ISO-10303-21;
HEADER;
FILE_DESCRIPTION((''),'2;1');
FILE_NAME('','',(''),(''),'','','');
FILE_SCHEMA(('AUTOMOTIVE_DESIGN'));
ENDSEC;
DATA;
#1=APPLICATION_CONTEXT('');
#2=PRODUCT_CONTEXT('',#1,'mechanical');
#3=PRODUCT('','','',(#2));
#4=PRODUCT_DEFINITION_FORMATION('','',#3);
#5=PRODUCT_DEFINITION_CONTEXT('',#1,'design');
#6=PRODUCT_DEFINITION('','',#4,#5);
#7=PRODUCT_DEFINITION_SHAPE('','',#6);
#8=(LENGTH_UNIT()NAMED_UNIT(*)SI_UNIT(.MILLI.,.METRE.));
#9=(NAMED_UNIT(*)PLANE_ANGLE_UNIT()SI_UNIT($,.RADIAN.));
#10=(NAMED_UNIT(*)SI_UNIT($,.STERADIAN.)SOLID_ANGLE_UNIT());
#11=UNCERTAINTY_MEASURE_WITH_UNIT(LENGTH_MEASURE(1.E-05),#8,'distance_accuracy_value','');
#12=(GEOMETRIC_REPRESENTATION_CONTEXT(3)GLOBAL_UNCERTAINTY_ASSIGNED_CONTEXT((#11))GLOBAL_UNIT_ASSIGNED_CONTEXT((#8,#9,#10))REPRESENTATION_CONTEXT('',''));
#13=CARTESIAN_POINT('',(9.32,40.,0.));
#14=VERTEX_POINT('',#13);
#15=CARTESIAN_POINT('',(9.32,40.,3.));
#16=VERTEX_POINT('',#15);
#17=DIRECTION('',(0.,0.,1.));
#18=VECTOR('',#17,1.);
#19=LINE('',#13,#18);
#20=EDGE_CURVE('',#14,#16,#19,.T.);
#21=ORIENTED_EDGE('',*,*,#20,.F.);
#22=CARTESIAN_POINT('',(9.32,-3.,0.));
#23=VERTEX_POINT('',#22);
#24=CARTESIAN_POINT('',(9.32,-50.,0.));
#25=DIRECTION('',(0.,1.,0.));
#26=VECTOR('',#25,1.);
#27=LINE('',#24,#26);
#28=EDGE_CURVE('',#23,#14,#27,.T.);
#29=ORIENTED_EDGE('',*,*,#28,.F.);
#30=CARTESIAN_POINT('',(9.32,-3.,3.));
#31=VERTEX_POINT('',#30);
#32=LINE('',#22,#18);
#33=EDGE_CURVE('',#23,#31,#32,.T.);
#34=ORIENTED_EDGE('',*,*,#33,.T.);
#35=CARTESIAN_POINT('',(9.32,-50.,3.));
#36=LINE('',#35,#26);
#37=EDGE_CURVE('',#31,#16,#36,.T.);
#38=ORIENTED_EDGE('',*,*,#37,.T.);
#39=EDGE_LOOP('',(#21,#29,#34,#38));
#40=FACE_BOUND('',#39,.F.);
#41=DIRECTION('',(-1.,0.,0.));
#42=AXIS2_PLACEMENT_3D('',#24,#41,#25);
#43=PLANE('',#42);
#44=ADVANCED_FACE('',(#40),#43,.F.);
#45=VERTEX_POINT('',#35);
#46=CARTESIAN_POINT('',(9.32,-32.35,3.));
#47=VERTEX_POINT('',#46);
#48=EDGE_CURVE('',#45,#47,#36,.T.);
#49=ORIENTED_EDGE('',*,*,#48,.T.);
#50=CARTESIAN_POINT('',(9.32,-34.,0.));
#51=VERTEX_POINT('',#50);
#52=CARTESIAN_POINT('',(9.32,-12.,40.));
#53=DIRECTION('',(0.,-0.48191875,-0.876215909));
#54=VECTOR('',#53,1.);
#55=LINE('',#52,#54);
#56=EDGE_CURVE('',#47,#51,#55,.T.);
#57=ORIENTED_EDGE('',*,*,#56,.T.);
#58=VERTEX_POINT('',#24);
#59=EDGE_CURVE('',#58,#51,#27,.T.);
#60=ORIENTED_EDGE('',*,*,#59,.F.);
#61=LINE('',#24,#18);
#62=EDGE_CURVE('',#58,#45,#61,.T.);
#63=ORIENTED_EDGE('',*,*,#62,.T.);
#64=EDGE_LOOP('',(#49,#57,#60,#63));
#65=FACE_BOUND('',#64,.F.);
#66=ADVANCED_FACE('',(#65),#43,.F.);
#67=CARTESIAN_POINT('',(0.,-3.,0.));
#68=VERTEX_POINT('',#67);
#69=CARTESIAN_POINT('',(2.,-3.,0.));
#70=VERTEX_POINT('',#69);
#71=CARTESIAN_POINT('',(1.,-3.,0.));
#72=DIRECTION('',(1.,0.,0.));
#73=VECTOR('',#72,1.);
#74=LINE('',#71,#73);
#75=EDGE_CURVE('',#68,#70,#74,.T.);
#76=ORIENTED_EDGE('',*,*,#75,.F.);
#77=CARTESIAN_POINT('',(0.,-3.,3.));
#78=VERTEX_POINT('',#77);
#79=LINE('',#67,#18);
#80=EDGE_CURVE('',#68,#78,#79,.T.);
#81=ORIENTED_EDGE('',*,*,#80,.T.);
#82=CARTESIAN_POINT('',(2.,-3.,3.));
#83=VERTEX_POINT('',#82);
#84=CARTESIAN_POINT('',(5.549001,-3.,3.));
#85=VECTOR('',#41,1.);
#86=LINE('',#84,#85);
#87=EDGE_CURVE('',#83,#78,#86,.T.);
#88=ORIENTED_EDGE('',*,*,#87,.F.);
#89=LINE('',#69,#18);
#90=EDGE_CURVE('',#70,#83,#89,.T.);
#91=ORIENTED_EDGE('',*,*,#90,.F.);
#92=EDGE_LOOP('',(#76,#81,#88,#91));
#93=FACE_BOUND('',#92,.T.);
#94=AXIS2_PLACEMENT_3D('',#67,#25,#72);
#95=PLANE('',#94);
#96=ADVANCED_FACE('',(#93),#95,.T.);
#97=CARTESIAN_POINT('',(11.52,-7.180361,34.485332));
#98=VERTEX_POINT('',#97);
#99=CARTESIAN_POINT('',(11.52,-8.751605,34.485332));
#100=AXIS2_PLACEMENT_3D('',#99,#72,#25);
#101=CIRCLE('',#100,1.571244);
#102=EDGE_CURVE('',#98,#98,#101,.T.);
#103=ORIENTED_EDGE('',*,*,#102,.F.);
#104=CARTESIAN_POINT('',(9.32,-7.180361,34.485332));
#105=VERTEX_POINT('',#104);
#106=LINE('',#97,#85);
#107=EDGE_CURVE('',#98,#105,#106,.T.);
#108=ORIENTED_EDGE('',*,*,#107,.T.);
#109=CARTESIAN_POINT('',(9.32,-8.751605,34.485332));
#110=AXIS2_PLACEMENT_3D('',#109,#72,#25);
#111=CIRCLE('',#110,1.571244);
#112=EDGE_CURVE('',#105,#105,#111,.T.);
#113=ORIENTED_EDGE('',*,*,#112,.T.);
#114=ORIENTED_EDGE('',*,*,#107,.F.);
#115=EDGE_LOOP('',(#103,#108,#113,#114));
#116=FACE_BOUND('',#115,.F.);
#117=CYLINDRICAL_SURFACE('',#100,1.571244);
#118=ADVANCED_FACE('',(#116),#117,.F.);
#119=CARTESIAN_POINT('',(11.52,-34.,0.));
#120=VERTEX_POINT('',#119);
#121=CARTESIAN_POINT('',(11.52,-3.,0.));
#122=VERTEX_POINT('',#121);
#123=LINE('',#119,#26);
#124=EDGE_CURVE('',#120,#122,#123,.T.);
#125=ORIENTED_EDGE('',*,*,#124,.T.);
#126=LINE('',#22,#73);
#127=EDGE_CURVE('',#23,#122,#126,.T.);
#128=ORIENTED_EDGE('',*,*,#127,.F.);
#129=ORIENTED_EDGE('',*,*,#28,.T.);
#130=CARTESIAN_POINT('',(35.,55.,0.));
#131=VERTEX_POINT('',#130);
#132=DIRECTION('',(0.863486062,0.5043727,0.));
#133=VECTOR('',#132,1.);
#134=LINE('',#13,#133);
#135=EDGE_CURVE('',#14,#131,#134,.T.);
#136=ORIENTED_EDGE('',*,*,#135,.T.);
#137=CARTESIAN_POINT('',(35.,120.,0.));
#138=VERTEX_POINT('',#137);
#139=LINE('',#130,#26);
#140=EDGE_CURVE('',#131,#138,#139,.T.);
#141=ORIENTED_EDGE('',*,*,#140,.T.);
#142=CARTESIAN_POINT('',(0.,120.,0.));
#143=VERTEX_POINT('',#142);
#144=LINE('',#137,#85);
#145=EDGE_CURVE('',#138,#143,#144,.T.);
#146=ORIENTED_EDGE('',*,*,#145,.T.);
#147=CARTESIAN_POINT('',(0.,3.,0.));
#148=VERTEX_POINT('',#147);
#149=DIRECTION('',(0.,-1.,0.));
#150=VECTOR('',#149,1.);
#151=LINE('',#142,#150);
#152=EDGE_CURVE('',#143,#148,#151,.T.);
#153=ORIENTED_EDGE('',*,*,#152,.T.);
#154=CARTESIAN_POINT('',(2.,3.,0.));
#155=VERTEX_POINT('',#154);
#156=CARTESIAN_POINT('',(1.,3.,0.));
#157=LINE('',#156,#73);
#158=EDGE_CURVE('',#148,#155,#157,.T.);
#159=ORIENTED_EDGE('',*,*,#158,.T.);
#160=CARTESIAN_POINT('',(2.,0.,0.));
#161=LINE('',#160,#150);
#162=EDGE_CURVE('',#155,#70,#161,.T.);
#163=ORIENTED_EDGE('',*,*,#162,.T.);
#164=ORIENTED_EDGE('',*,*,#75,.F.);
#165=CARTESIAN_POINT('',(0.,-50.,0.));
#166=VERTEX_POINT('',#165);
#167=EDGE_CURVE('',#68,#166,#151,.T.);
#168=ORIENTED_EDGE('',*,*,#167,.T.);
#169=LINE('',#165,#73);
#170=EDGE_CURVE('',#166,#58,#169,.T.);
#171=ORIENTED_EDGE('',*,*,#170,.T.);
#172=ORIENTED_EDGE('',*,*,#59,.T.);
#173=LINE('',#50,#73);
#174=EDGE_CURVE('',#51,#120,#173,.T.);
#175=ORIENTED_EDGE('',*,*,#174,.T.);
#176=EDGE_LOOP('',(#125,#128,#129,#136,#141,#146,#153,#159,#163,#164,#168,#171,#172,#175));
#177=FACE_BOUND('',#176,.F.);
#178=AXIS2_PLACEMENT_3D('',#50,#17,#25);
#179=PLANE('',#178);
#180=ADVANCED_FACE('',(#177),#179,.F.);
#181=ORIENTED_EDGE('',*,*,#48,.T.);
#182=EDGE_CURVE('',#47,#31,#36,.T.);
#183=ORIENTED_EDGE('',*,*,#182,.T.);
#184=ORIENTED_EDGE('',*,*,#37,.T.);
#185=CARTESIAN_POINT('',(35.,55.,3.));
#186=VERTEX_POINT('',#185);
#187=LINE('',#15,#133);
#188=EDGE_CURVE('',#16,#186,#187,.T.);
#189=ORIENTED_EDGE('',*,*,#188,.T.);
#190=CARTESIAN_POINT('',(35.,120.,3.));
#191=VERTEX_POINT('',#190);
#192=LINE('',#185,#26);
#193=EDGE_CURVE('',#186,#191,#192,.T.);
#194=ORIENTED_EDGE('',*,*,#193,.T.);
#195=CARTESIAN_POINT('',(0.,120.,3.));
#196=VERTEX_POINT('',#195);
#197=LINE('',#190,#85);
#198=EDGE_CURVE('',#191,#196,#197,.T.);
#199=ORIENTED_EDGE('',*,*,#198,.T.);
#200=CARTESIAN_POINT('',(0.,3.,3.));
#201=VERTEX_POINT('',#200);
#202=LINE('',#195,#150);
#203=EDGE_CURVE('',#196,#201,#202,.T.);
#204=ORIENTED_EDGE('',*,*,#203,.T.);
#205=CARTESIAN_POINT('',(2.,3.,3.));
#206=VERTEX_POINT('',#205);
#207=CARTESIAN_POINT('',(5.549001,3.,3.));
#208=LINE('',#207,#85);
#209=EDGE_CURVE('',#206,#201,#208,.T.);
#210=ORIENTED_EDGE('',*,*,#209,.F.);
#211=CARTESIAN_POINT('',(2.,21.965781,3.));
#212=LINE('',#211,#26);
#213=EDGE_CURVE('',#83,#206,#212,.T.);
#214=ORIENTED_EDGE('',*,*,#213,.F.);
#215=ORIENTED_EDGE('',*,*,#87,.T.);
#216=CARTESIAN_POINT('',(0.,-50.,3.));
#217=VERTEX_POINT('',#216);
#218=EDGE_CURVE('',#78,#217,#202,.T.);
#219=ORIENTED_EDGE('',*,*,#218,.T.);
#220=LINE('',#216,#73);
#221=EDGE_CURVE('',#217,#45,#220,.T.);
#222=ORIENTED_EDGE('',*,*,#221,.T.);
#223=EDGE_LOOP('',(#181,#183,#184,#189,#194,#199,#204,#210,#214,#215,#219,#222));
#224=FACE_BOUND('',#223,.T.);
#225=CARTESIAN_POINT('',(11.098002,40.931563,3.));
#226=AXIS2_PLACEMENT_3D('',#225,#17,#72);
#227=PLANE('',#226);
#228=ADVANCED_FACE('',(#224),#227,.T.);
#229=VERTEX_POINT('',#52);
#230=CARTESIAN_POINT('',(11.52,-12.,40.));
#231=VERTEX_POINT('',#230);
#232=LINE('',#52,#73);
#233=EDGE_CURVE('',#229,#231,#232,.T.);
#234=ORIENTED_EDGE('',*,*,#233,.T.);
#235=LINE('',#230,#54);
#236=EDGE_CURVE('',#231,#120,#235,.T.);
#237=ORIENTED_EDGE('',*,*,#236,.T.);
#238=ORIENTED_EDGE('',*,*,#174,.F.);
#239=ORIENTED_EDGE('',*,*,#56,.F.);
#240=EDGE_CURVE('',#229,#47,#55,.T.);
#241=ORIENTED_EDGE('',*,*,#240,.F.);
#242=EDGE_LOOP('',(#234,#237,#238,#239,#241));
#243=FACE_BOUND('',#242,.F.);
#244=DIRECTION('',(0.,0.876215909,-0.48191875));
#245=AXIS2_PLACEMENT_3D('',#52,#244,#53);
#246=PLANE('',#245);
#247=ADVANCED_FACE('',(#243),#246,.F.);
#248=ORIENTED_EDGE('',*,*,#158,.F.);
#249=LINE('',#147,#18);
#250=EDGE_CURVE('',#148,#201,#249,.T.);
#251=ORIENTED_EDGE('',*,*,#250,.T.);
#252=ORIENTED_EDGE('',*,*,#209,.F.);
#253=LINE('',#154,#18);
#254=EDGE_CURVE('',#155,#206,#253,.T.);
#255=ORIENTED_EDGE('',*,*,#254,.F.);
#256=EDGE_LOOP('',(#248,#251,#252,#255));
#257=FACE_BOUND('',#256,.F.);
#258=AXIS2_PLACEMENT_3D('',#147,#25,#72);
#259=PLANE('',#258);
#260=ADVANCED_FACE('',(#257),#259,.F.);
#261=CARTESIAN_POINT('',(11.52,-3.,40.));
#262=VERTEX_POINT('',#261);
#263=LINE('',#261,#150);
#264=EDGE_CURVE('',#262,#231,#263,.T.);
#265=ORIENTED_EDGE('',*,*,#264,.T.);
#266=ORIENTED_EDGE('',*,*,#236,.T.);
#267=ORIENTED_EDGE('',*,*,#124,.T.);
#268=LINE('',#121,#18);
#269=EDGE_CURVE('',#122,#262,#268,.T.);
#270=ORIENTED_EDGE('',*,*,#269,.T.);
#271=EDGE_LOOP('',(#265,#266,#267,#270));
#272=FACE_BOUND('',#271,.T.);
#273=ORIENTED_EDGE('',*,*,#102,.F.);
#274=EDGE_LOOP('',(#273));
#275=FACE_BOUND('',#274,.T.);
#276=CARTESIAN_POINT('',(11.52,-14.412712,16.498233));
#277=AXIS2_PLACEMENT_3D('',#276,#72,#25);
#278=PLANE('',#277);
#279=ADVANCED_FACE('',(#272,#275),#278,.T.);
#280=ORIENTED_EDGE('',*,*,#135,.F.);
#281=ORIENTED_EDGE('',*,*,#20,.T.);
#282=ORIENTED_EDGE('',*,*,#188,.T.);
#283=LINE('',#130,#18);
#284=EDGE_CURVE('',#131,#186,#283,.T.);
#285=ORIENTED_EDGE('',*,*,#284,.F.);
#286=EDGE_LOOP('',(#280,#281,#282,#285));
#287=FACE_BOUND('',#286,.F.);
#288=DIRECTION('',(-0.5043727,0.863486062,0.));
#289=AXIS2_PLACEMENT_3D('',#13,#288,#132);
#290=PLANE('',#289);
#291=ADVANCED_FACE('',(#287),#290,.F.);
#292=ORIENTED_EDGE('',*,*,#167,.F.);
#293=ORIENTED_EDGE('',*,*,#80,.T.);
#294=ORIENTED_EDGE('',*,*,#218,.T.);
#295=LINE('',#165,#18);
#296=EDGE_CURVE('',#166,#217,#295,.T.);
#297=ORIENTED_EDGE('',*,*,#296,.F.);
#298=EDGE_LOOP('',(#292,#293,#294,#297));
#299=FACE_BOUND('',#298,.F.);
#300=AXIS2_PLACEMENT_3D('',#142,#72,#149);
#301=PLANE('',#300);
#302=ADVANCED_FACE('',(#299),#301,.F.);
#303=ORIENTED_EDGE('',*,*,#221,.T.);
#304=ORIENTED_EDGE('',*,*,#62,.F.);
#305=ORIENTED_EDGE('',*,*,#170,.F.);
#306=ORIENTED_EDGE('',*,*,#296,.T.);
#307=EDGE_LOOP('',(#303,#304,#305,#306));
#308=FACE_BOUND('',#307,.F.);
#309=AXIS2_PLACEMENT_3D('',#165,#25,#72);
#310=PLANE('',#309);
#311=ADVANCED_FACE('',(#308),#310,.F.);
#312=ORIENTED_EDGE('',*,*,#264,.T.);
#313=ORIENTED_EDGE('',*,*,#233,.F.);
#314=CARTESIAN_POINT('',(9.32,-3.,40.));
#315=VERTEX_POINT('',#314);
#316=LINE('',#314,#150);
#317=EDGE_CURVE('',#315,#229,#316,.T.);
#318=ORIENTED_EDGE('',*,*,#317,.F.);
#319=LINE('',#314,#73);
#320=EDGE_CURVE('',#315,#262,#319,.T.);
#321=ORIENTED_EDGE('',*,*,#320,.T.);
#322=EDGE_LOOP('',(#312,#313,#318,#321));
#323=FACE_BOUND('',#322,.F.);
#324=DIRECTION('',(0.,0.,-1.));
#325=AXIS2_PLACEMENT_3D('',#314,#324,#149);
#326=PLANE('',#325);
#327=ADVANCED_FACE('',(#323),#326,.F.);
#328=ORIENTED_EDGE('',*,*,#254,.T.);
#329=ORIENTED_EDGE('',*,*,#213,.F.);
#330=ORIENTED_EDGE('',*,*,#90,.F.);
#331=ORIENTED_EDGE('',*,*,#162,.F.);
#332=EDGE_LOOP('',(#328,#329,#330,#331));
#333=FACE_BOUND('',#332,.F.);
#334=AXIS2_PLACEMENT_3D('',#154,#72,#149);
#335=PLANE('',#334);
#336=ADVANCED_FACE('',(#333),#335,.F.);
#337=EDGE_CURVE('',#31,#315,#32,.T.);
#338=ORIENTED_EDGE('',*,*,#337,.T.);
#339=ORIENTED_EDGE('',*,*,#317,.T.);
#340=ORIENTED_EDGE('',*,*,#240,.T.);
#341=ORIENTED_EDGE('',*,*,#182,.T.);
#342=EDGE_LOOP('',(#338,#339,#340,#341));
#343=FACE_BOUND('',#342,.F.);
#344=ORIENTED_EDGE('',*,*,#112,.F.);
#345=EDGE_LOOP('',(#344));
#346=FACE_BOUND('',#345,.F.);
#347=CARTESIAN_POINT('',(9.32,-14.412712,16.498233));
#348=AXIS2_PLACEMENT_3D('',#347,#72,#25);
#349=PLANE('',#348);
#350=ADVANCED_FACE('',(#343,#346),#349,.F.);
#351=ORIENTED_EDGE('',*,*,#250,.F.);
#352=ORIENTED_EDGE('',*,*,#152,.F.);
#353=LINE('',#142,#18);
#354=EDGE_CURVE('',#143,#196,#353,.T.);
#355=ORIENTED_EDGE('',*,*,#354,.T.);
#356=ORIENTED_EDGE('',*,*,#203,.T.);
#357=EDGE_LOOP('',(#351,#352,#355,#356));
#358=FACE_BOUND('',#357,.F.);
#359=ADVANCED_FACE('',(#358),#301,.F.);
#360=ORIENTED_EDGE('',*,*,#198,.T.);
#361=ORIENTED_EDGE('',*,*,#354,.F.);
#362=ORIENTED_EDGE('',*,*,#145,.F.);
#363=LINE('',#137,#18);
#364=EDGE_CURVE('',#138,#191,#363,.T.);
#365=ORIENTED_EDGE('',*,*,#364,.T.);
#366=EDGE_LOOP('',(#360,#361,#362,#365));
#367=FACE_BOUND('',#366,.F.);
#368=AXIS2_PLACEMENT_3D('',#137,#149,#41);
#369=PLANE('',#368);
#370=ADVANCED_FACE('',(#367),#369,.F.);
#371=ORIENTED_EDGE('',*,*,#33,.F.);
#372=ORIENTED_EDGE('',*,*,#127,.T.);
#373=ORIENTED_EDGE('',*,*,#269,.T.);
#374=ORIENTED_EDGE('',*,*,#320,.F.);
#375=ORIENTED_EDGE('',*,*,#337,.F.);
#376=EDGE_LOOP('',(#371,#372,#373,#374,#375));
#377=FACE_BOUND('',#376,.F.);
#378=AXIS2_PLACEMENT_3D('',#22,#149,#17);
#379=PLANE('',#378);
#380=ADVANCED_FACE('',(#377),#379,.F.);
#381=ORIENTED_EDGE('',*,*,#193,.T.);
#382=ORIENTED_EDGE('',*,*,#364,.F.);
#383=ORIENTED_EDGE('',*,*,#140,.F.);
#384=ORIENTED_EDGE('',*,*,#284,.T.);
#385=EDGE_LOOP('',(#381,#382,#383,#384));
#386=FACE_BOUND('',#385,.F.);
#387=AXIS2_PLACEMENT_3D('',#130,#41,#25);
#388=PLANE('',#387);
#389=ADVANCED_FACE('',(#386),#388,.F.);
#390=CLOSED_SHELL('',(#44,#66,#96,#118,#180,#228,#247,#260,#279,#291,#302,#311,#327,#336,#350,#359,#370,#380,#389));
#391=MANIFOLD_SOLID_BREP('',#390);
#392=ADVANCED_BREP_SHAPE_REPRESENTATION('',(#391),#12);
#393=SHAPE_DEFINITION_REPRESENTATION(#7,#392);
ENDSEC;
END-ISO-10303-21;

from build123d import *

# Parameters (mm, degrees)
PAD_DEPTH       = 3
SKETCH001_W     = 2
SKETCH001_H     = 6
POCKET_DEPTH    = 5
PAD001_DEPTH    = 2.2
SKETCH003_R     = 1.571244
POCKET001_DEPTH = 5


with BuildPart() as part:
    # Sketch → Pad (new body)
    with BuildSketch(Plane.XY):
        Polygon((0, -50), (9.32, -50), (9.32, 40), (35, 55), (35, 120), (0, 120), align=None)
    extrude(amount=PAD_DEPTH)

    # Sketch001 (on Face7 of Pad) → Pocket (cut)
    with BuildSketch(Plane(origin=(0, 0, 0), x_dir=(1, 0, 0), z_dir=(0, 0, -1))):
        with Locations((1, 0)):
            Rectangle(SKETCH001_W, SKETCH001_H)
    extrude(amount=-POCKET_DEPTH, mode=Mode.SUBTRACT)

    # Sketch002 (on Face3 of Pocket) → Pad001 (join)
    with BuildSketch(Plane.YZ.offset(9.32)):
        Polygon((-3, 0), (-3, 40), (-12, 40), (-34, 0), align=None)
    extrude(amount=PAD001_DEPTH)

    # Sketch003 (on Face18 of Pad001) → Pocket001 (cut)
    with BuildSketch(Plane.YZ.offset(11.52)):
        with Locations((-8.751605, 34.485332)):
            Circle(SKETCH003_R)
    extrude(amount=-POCKET001_DEPTH, mode=Mode.SUBTRACT)


solid = part.part
